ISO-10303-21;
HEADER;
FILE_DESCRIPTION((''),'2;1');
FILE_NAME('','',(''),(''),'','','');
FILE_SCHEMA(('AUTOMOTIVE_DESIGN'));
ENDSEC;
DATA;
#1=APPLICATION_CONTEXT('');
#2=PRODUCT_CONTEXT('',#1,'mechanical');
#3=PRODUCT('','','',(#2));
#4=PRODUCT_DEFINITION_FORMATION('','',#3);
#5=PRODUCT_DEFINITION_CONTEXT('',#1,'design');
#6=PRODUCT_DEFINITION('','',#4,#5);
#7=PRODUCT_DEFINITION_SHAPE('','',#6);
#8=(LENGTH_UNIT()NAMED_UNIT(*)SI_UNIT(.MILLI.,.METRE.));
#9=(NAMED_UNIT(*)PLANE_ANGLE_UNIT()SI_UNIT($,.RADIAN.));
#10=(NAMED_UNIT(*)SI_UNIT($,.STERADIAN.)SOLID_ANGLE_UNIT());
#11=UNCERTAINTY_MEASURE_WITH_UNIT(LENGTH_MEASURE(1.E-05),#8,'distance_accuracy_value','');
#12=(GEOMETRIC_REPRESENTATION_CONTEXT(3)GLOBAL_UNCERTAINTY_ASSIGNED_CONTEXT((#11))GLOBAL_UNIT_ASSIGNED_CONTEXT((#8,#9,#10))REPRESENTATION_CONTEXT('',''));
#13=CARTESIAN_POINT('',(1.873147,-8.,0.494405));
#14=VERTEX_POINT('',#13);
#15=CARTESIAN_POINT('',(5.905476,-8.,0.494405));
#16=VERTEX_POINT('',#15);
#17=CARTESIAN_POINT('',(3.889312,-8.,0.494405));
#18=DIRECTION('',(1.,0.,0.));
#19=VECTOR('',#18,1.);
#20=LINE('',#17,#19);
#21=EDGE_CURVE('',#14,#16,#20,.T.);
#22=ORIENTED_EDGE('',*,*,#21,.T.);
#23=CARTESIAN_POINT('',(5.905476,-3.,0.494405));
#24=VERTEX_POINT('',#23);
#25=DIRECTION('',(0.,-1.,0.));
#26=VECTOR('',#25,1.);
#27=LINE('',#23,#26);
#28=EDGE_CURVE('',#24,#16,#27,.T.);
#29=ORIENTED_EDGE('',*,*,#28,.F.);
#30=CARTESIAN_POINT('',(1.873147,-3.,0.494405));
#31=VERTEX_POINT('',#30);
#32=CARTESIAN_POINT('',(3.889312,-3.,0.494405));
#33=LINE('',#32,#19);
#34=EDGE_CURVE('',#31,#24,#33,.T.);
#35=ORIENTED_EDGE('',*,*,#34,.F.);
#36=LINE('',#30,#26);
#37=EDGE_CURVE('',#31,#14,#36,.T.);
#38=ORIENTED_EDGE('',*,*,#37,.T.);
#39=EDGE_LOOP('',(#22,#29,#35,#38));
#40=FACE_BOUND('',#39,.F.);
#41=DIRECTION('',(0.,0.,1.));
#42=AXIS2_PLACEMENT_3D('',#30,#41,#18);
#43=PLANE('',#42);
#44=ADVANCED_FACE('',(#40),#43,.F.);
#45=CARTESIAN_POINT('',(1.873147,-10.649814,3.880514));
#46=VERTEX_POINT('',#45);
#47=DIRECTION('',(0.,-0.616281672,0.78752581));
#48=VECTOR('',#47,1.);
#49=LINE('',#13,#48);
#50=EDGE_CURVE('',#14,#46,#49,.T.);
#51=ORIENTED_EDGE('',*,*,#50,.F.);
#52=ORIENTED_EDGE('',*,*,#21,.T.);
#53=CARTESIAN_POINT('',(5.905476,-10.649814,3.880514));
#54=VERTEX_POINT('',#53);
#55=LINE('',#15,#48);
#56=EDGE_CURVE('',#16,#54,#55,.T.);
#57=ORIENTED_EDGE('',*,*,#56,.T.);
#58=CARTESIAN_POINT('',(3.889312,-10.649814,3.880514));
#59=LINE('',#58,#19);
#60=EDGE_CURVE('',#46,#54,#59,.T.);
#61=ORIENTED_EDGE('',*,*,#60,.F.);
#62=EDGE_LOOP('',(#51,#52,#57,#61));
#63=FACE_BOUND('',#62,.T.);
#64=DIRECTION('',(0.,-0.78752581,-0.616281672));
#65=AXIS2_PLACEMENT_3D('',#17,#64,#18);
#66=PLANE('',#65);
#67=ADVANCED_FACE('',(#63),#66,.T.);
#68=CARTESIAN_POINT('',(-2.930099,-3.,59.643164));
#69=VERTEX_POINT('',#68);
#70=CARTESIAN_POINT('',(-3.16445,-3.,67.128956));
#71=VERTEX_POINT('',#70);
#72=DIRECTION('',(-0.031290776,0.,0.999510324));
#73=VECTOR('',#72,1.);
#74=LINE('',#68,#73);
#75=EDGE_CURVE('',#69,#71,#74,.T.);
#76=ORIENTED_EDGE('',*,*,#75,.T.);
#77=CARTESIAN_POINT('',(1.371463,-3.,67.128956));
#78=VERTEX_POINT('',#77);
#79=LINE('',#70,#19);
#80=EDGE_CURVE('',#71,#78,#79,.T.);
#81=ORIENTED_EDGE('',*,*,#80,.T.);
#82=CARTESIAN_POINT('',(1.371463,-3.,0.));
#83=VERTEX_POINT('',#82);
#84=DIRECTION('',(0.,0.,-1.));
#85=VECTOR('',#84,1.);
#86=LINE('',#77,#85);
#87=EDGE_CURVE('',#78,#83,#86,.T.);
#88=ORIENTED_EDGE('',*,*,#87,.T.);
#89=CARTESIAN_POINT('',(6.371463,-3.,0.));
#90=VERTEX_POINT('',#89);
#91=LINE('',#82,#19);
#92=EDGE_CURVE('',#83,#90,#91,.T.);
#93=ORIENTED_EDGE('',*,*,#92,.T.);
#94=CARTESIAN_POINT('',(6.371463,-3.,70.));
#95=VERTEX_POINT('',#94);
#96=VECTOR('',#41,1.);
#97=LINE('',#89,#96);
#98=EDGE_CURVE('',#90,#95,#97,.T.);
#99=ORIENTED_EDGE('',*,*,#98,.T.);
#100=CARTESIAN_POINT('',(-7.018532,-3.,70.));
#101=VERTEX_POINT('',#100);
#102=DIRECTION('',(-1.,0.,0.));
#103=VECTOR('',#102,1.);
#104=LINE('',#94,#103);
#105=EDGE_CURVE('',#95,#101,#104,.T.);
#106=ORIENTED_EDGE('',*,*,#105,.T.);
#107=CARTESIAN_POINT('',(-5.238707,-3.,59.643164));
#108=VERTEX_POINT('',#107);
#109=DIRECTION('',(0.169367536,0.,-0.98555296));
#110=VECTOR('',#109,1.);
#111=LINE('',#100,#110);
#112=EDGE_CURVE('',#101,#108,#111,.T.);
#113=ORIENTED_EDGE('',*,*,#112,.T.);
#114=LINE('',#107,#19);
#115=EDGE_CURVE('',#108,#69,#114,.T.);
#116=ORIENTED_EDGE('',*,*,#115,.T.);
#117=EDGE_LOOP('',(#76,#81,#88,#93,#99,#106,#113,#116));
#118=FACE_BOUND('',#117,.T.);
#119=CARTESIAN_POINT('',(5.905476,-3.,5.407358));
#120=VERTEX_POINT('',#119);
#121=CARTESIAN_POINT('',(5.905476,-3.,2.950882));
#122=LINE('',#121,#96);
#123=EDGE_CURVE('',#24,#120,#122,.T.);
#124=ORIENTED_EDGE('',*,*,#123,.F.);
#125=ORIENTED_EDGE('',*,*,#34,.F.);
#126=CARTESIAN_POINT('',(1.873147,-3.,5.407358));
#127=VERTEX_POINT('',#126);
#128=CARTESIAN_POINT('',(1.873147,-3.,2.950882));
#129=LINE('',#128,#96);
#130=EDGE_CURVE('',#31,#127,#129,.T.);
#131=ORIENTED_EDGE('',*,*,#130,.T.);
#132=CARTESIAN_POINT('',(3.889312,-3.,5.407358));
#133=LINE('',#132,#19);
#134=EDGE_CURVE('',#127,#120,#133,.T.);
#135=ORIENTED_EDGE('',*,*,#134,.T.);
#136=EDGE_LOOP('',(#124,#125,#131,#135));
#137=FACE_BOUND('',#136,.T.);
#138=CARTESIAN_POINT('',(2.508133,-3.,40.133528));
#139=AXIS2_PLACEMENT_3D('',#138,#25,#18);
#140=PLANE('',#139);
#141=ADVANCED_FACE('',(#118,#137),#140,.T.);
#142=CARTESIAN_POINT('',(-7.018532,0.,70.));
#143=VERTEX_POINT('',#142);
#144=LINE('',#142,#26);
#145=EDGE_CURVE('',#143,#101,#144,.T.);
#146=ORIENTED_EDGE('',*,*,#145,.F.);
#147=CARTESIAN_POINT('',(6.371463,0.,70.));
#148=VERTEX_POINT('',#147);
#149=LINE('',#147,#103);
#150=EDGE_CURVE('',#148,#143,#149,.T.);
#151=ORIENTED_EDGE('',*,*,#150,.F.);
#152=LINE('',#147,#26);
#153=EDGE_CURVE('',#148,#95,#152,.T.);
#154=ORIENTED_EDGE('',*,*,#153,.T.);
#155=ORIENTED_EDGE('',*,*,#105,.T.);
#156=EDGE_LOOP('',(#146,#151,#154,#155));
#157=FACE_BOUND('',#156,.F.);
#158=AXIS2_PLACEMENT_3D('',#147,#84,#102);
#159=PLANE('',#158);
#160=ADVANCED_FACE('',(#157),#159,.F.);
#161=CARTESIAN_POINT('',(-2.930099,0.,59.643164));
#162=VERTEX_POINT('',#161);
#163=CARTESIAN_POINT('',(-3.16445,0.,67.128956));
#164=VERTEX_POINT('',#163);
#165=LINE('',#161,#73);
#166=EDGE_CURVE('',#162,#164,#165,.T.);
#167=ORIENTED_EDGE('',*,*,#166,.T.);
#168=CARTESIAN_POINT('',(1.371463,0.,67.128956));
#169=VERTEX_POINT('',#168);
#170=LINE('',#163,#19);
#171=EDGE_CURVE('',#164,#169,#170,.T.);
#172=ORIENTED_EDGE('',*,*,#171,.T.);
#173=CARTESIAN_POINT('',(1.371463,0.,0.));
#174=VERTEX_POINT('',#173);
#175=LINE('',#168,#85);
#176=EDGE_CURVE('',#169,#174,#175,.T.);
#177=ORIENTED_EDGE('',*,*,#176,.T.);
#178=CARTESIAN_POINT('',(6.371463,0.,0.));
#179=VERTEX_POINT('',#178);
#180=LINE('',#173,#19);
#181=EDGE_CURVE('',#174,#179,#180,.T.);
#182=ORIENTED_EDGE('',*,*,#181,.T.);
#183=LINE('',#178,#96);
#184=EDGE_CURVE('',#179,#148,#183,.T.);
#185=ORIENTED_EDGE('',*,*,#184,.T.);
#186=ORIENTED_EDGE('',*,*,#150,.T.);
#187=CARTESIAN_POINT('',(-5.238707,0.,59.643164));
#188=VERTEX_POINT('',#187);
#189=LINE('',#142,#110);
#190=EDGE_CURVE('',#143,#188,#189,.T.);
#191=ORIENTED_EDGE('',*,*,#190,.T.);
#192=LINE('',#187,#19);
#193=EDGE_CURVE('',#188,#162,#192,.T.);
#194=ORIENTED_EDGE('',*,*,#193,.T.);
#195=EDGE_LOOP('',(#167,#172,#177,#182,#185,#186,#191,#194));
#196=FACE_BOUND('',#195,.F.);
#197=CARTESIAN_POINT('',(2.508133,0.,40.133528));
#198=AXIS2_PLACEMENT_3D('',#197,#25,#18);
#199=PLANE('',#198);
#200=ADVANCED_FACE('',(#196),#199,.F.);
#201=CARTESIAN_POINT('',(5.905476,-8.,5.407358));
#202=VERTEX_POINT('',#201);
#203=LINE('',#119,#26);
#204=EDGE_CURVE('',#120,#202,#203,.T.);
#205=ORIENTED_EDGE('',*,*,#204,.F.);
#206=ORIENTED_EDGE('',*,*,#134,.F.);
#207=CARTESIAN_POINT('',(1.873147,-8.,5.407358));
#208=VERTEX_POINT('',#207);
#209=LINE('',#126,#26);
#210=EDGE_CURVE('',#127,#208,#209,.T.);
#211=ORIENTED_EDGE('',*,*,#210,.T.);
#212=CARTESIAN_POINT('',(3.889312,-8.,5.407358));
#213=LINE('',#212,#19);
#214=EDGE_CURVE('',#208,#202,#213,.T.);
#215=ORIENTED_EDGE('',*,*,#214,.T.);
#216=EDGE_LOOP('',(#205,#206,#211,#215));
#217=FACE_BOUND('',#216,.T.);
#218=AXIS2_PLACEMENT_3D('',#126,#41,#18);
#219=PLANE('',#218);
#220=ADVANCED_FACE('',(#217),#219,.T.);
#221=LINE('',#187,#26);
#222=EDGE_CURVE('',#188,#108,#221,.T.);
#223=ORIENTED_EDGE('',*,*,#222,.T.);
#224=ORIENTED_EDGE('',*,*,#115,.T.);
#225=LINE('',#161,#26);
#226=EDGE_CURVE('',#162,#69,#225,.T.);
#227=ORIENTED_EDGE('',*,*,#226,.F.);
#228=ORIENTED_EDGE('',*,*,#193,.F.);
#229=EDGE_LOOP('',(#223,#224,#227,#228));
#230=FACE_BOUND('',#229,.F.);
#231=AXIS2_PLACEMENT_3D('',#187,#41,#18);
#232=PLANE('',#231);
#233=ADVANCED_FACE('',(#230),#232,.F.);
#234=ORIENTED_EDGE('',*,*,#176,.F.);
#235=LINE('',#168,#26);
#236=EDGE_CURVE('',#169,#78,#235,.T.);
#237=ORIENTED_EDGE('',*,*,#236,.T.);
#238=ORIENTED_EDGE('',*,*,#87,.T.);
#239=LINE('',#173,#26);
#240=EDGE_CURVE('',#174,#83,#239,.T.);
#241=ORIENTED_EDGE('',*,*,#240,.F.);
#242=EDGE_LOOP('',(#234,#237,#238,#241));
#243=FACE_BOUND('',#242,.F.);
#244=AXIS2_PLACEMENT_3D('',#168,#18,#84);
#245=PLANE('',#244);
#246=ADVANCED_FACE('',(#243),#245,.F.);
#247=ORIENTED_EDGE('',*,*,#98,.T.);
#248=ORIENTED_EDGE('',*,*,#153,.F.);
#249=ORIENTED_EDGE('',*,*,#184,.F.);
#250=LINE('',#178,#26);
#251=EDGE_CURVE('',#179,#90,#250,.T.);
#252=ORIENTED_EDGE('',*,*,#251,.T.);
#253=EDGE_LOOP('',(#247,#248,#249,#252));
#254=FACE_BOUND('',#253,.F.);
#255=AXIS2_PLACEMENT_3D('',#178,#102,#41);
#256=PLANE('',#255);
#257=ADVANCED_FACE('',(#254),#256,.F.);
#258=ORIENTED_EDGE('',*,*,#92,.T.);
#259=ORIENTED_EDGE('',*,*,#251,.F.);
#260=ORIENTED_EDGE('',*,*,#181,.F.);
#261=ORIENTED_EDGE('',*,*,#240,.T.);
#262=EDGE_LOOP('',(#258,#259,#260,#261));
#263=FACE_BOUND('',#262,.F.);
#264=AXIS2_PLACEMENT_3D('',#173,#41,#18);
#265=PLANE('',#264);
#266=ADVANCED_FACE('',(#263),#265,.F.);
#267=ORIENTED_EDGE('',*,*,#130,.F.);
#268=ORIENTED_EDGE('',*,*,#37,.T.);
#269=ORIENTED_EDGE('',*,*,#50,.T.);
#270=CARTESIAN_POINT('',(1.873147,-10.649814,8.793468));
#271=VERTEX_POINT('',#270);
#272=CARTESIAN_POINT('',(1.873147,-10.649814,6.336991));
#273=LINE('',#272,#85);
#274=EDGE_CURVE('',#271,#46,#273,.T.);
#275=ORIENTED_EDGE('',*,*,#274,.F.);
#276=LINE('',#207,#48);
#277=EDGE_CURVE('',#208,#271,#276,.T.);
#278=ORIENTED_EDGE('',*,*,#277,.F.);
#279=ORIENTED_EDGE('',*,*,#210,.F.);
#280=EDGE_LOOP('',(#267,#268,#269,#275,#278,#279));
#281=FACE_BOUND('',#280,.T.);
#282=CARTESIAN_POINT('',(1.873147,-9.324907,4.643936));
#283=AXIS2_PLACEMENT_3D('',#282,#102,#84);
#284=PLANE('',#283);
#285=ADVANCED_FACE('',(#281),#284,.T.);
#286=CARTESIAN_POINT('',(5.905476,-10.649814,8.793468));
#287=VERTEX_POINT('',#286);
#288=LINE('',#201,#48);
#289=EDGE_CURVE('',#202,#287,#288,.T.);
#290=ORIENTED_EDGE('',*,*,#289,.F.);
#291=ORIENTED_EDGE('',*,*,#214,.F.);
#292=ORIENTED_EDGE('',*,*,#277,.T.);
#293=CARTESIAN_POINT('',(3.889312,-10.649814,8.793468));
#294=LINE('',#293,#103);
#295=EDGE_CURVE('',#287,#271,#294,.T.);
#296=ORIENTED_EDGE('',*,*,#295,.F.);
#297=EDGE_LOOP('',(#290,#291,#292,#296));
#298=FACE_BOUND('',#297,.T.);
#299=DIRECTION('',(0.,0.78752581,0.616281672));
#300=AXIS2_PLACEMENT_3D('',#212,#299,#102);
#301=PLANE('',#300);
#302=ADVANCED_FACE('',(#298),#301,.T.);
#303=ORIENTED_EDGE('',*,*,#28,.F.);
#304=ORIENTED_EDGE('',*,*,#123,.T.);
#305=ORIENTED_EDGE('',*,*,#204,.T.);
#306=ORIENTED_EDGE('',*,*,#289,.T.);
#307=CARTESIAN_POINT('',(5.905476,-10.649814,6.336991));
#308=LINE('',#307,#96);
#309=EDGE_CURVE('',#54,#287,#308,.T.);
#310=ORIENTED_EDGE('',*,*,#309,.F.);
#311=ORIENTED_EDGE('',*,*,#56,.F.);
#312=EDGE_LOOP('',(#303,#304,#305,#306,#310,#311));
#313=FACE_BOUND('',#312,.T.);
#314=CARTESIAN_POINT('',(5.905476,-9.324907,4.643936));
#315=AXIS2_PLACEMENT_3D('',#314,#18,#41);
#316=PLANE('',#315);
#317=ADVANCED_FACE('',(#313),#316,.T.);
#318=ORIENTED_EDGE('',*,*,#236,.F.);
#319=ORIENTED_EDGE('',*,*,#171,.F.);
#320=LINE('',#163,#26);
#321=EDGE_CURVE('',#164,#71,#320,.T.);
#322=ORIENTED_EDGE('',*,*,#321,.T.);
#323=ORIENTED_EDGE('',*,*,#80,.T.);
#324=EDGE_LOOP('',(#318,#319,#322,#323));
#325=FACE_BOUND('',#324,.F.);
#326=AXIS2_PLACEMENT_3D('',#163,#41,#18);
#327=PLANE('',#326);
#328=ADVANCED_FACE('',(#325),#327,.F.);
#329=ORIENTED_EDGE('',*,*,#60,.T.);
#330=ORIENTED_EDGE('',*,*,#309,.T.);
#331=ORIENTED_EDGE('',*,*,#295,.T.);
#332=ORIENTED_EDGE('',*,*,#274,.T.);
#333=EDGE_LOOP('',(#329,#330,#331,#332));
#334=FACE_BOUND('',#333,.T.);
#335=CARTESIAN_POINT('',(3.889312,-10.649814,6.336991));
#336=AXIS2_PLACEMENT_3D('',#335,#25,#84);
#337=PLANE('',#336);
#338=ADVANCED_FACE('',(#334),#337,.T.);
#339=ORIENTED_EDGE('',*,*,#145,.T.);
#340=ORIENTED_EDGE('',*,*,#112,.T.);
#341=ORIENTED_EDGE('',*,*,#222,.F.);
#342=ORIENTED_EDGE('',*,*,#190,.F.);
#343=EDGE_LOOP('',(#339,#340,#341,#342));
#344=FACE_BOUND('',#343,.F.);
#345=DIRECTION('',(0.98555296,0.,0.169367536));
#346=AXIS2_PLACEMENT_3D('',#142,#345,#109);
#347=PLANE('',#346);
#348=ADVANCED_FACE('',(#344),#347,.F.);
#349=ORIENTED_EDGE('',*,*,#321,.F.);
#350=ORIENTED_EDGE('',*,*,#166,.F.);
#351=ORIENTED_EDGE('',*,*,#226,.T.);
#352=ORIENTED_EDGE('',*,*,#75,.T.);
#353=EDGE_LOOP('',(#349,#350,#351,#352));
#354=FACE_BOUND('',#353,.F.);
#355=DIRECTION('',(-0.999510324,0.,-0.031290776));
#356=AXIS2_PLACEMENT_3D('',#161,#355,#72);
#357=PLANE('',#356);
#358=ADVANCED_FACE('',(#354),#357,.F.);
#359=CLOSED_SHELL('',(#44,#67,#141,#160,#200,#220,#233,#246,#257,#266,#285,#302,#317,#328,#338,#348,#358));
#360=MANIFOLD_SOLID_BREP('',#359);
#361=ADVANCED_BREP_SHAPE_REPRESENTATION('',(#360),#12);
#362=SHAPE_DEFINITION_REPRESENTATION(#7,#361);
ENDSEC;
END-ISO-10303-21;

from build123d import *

# Parameters (mm, degrees)
F1_DEPTH = 3
F2_W     = 4.032329
F2_H     = 4.912953
F3_DEPTH = 5
F4_W     = 4.032329
F4_H     = 4.912953


with BuildPart() as f1:
    # F0 (on Front) → F1 (new body)
    with BuildSketch(Plane.XZ):
        Polygon((1.371463, 67.128956), (1.371463, 0), (6.371463, 0), (6.371463, 70), (1.371463, 70), (-7.018532, 70), (-5.238707, 59.643164), (-2.930099, 59.643164), (-3.16445, 67.128956), align=None)
    extrude(amount=F1_DEPTH)

    # F2 (on face) → F3 (join)
    with BuildSketch(Plane.XZ.offset(3)):
        with Locations((3.889312, 2.950882)):
            Rectangle(F2_W, F2_H)
    extrude(amount=F3_DEPTH)

    # F6: sweep along a path in F5
    with BuildLine(Plane.YZ.offset(5.905477)) as f6_path:
        Line((-8, 5.407359), (-10.649814, 8.793468))
    # F4 (on face) → F6 (sweep)
    with BuildSketch(Plane.XZ.offset(8)):
        with Locations((3.889312, 2.950882)):
            Rectangle(F4_W, F4_H)
    sweep(path=f6_path.line)


solid = f1.part
